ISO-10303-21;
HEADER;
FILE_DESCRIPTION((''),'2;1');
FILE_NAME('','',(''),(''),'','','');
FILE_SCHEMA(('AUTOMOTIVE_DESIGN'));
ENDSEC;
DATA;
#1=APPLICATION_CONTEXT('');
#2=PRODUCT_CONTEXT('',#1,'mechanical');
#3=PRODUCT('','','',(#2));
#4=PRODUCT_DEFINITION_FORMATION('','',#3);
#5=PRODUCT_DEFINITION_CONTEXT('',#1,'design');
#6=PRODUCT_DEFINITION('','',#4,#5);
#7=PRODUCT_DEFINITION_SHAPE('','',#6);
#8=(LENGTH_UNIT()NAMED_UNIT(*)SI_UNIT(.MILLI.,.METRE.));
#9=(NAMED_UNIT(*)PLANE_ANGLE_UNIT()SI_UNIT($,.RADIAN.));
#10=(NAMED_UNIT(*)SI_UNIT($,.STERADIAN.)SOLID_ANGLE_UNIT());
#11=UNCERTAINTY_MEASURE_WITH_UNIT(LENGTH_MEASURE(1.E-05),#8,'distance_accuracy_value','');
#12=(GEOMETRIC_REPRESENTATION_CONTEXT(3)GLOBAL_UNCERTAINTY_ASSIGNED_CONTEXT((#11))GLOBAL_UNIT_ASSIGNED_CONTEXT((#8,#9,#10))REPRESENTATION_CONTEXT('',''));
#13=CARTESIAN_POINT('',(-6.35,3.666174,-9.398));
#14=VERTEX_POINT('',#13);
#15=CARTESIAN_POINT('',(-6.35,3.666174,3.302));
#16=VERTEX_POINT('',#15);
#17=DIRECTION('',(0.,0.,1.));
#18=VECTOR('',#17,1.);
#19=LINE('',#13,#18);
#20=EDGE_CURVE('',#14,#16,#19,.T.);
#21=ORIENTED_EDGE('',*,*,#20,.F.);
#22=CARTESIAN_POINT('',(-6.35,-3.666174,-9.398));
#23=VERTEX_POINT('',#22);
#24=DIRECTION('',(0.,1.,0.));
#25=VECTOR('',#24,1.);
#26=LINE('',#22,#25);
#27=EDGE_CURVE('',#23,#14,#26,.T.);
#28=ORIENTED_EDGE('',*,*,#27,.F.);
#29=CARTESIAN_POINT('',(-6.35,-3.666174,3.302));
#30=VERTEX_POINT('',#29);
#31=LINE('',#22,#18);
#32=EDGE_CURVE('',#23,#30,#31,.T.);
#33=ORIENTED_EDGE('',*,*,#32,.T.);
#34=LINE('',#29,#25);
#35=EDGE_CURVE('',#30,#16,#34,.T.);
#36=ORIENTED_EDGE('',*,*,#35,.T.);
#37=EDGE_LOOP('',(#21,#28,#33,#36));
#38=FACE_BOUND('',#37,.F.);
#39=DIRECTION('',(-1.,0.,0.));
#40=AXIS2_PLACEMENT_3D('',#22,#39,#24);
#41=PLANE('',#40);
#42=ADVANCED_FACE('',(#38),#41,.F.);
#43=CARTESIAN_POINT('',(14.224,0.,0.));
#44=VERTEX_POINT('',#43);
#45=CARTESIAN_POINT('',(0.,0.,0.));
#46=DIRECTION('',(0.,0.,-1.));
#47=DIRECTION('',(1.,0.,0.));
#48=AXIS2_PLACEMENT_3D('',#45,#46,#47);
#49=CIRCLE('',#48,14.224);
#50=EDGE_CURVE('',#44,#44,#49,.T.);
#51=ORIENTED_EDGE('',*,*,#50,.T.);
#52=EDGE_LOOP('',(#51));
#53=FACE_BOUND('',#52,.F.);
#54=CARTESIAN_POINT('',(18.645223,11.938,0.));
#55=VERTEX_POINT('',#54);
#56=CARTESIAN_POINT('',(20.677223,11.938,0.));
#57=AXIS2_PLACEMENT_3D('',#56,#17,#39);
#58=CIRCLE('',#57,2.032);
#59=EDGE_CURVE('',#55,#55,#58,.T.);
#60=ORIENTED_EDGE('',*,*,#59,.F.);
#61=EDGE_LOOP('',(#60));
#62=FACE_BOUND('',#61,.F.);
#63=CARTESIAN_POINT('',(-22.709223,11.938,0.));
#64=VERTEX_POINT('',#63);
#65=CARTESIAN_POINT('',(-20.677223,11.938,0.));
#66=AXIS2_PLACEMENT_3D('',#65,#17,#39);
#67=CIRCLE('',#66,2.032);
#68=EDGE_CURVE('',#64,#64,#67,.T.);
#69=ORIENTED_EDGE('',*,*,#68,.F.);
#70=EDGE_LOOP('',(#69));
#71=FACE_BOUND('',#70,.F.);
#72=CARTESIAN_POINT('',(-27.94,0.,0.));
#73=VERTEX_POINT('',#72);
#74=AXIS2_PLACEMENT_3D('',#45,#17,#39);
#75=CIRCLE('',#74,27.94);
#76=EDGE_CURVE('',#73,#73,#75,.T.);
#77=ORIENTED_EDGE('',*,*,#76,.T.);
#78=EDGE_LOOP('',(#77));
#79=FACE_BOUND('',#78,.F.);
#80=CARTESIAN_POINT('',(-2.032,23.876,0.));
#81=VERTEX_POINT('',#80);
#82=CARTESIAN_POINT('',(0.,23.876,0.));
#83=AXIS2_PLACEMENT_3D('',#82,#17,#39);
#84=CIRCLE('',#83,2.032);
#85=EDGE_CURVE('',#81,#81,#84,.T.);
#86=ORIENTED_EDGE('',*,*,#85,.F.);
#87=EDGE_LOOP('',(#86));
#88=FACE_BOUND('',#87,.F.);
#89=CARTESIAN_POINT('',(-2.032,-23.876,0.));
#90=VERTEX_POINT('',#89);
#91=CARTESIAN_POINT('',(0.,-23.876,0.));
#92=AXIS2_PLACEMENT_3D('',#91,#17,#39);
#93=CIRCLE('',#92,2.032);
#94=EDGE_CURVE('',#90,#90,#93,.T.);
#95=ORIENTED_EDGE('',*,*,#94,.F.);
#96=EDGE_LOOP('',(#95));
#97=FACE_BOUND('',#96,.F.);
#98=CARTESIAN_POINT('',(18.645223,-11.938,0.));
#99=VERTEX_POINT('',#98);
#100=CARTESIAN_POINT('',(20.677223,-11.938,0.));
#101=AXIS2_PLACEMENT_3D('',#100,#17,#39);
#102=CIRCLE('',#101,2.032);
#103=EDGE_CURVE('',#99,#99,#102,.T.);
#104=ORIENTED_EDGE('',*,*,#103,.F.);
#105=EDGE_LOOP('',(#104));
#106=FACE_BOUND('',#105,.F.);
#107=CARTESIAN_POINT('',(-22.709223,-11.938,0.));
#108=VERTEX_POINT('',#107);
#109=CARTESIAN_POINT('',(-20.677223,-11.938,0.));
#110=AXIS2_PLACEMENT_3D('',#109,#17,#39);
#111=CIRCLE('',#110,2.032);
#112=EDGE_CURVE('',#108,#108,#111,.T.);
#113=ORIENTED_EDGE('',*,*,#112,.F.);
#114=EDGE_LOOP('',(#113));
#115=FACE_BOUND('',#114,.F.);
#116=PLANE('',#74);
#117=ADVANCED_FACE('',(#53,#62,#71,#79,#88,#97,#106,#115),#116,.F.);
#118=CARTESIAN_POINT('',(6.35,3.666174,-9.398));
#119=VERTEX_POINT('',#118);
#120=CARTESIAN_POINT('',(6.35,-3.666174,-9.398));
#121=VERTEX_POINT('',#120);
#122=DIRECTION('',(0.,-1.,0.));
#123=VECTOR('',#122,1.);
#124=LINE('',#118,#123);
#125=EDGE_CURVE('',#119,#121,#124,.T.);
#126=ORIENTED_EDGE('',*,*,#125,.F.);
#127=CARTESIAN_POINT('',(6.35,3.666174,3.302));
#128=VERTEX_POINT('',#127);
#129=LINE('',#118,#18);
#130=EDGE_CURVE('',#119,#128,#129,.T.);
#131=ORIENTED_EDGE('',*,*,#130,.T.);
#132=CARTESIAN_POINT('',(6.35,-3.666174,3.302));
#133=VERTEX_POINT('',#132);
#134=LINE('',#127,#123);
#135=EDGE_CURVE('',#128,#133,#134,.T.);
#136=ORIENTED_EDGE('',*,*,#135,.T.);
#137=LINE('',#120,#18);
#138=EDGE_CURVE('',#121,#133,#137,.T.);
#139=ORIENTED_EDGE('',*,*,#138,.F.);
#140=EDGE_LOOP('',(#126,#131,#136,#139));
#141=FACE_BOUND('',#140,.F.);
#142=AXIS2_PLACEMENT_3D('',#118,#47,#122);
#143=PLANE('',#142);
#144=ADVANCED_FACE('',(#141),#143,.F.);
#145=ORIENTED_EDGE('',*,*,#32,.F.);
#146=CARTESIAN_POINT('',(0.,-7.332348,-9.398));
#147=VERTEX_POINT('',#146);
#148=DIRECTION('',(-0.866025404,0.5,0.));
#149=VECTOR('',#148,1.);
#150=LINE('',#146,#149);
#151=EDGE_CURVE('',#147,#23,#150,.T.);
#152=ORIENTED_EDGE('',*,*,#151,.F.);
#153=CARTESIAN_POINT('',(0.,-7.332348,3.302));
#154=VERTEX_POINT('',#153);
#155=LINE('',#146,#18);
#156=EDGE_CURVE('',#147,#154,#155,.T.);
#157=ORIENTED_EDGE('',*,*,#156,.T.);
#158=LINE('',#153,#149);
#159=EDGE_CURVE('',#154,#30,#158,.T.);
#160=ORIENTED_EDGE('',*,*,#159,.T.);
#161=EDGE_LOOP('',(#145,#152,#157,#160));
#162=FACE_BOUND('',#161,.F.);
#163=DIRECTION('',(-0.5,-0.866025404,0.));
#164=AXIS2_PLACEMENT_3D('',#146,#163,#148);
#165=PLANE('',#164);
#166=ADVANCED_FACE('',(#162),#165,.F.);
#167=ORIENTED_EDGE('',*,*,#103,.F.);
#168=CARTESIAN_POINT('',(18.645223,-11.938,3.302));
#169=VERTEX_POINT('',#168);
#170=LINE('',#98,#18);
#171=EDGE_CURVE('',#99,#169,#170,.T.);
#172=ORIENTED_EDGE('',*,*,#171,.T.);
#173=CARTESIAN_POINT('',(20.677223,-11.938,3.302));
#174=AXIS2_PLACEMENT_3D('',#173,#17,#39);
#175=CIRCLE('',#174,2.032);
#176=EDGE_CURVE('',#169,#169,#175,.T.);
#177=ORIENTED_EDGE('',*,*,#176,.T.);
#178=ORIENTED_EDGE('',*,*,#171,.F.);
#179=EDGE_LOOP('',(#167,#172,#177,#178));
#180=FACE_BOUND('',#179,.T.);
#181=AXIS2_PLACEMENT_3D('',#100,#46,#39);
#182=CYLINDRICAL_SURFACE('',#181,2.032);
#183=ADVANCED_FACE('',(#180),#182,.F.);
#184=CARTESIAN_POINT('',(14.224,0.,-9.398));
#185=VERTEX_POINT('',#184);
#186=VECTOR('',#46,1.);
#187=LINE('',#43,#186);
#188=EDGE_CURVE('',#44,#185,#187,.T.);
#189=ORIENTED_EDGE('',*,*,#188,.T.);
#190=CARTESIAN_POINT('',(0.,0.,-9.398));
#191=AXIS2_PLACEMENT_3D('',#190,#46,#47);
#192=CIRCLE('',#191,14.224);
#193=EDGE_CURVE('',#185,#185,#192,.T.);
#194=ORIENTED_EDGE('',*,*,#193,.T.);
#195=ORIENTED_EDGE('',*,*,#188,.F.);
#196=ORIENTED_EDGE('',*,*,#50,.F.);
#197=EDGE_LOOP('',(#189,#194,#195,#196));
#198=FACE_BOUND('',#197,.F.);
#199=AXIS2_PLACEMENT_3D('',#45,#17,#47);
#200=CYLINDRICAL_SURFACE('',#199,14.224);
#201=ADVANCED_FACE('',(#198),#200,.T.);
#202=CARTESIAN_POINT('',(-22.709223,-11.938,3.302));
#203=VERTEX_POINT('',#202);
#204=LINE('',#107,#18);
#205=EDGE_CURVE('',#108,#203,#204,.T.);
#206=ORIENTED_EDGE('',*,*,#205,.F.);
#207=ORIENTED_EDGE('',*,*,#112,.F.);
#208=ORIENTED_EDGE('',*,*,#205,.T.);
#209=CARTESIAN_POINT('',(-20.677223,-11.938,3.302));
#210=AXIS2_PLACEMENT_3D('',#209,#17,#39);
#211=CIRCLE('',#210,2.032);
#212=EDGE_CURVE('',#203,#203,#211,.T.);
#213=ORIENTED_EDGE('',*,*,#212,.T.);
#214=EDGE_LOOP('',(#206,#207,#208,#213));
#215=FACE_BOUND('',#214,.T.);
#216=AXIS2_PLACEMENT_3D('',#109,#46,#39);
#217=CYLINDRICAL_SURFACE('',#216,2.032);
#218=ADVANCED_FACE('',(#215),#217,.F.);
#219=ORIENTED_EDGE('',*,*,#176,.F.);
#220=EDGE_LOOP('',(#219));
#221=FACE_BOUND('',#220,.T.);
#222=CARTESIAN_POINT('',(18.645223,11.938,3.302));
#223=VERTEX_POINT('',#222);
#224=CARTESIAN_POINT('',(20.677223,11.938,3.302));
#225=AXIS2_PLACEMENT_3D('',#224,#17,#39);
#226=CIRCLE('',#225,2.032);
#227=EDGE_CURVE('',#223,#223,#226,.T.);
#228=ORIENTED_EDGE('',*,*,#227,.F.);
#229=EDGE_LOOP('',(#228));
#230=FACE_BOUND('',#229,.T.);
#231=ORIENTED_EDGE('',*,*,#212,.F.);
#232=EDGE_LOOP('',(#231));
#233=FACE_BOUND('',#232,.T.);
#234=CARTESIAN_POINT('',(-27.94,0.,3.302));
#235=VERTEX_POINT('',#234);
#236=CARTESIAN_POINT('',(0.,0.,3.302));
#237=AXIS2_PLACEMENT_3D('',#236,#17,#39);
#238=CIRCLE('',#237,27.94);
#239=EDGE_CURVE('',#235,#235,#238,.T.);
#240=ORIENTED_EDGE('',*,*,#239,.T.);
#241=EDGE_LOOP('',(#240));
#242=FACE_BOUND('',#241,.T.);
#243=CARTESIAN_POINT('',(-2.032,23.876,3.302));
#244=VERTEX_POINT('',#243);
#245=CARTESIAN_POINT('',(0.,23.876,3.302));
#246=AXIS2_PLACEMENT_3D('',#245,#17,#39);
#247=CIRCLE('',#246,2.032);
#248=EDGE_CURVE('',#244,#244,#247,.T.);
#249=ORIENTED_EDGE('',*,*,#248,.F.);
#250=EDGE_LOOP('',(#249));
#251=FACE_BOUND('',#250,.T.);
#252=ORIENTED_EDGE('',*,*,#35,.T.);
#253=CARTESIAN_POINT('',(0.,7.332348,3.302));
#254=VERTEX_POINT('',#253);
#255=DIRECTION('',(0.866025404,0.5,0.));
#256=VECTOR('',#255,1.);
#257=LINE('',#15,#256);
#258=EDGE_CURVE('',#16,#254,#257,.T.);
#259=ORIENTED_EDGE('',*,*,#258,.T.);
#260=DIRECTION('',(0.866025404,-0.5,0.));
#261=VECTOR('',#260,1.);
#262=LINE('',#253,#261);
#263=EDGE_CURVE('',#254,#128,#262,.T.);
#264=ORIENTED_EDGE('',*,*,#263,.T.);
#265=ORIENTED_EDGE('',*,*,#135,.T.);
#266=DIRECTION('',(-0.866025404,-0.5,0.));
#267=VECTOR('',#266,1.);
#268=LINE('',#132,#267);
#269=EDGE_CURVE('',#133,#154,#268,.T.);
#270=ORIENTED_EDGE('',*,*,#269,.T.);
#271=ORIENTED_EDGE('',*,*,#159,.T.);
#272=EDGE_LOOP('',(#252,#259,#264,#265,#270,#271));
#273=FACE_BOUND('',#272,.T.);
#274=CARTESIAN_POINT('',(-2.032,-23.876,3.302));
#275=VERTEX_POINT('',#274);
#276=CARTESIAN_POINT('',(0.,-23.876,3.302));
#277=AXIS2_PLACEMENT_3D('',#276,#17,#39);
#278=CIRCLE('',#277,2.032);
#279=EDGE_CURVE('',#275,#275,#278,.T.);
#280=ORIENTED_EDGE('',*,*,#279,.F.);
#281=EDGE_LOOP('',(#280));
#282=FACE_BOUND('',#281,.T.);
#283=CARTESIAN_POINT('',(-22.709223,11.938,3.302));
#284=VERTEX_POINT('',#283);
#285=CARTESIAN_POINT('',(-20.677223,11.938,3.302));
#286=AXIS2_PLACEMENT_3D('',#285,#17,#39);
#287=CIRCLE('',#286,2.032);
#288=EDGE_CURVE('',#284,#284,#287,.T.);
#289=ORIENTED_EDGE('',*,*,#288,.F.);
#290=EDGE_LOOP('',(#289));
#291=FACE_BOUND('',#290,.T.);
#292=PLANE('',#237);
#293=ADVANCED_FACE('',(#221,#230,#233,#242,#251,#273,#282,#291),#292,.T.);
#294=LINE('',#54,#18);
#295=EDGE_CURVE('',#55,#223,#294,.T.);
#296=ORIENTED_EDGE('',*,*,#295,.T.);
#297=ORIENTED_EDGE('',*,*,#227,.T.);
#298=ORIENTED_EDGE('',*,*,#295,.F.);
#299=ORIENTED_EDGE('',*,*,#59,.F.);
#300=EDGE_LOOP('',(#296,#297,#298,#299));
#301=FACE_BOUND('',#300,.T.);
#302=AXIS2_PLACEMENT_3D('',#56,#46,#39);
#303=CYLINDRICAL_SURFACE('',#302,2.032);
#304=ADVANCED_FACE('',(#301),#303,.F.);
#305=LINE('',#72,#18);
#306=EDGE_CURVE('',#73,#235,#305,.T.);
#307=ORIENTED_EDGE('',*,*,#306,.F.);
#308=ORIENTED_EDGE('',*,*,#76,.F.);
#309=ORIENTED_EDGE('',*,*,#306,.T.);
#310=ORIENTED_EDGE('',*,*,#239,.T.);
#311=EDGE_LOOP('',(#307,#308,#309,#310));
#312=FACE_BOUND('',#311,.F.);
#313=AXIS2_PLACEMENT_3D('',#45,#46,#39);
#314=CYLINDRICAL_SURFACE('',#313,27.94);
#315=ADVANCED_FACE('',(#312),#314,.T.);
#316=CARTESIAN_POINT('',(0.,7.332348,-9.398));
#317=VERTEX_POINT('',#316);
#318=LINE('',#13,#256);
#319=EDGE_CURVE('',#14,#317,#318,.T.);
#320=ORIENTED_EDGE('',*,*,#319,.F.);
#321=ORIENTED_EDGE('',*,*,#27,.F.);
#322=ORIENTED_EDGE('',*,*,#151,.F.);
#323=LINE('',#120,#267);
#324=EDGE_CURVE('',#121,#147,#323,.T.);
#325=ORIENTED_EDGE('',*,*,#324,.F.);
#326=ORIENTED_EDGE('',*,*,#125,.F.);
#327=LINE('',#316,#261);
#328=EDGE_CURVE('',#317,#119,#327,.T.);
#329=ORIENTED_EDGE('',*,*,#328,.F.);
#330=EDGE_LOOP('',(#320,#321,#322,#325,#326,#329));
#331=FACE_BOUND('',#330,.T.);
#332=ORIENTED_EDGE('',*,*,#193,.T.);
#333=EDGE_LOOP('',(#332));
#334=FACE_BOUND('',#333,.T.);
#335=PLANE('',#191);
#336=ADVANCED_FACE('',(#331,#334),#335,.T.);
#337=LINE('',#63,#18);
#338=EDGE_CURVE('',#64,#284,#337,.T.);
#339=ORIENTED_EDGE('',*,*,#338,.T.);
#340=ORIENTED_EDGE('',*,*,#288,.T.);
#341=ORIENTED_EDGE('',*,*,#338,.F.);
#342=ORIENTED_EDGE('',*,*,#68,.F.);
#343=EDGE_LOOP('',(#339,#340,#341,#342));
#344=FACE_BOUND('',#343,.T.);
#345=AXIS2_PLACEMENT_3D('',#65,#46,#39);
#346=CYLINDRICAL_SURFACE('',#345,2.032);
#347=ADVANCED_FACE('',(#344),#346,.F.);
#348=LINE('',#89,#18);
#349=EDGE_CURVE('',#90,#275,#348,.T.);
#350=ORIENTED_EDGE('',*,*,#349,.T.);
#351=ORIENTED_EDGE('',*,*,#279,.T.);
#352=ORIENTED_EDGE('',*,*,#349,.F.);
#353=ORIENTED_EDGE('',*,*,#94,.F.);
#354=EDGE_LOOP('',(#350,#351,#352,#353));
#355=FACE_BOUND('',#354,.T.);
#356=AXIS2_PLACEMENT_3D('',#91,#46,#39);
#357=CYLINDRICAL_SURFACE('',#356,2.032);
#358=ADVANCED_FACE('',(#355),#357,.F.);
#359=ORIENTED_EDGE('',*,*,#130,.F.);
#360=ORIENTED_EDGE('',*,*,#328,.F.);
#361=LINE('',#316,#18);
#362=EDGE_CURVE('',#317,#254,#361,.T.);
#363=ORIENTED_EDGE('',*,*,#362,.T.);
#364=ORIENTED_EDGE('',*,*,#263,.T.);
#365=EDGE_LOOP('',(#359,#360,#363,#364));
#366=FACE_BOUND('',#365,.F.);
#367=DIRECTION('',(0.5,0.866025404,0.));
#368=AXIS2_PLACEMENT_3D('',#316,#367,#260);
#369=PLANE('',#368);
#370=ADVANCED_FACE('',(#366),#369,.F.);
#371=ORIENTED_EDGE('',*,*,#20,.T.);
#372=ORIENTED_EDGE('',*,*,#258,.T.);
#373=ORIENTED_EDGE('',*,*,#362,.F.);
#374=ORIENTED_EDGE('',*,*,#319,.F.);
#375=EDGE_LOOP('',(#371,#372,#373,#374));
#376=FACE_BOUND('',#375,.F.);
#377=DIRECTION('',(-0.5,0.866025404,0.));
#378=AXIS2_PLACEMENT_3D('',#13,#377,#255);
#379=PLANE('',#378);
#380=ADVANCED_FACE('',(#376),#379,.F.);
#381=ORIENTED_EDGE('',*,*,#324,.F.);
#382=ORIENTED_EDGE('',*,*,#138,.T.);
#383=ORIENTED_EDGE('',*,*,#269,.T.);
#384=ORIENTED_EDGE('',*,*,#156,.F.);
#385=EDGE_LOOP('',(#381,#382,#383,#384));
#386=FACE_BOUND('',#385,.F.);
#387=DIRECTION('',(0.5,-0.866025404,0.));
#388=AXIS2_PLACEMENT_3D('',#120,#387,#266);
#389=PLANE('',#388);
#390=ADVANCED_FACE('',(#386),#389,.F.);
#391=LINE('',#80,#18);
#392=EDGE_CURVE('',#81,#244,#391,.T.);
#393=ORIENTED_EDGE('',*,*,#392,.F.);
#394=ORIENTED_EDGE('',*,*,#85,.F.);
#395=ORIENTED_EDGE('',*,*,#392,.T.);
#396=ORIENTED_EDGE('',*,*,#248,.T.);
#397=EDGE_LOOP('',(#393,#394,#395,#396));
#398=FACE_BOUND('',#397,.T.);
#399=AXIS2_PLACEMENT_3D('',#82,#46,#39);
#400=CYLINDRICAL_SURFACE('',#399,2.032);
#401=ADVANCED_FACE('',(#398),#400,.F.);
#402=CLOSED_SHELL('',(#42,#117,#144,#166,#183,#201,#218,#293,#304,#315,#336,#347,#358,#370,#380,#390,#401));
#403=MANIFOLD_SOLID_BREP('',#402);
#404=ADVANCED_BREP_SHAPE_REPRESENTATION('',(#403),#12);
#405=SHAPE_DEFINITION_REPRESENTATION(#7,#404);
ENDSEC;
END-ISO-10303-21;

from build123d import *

# Parameters (mm, degrees)
SKETCH1_R           = 27.94
SKETCH1_R_2         = 2.032
BOSS_EXTRUDE1_DEPTH = 3.302
SKETCH2_R           = 14.224
BOSS_EXTRUDE2_DEPTH = 9.398
CUT_EXTRUDE1_DEPTH  = 12.7


with BuildPart() as part:
    # Sketch1 → Boss-Extrude1 (new body)
    with BuildSketch(Plane.XY):
        with Locations(Location((0, 0, 0), (0, 0, 180))):
            Circle(SKETCH1_R)
        with Locations(Location((0, 23.876, 0), (0, 0, 180))):
            Circle(SKETCH1_R_2, mode=Mode.SUBTRACT)
        with Locations(Location((20.677222541, 11.938, 0), (0, 0, 180))):
            Circle(SKETCH1_R_2, mode=Mode.SUBTRACT)
        with Locations(Location((20.677222541, -11.938, 0), (0, 0, 180))):
            Circle(SKETCH1_R_2, mode=Mode.SUBTRACT)
        with Locations(Location((0, -23.876, 0), (0, 0, 180))):
            Circle(SKETCH1_R_2, mode=Mode.SUBTRACT)
        with Locations(Location((-20.677222541, -11.938, 0), (0, 0, 180))):
            Circle(SKETCH1_R_2, mode=Mode.SUBTRACT)
        with Locations(Location((-20.677222541, 11.938, 0), (0, 0, 180))):
            Circle(SKETCH1_R_2, mode=Mode.SUBTRACT)
    extrude(amount=BOSS_EXTRUDE1_DEPTH)

    # Sketch2 → Boss-Extrude2 (add)
    with BuildSketch(Plane(origin=(0, 0, 0), x_dir=(-1, 0, 0), z_dir=(0, 0, -1))):
        with Locations(Location((0, 0, 0), (0, 0, 180))):
            Circle(SKETCH2_R)
    extrude(amount=BOSS_EXTRUDE2_DEPTH)

    # Sketch3 → Cut-Extrude1 (cut)
    with BuildSketch(Plane(origin=(0, 0, -9.398), x_dir=(-1, 0, 0), z_dir=(0, 0, -1))):
        Polygon((0, 7.332348419), (-6.35, 3.666174209), (-6.35, -3.666174209), (0, -7.332348419), (6.35, -3.666174209), (6.35, 3.666174209), align=None)
    extrude(amount=-CUT_EXTRUDE1_DEPTH, mode=Mode.SUBTRACT)


solid = part.part
